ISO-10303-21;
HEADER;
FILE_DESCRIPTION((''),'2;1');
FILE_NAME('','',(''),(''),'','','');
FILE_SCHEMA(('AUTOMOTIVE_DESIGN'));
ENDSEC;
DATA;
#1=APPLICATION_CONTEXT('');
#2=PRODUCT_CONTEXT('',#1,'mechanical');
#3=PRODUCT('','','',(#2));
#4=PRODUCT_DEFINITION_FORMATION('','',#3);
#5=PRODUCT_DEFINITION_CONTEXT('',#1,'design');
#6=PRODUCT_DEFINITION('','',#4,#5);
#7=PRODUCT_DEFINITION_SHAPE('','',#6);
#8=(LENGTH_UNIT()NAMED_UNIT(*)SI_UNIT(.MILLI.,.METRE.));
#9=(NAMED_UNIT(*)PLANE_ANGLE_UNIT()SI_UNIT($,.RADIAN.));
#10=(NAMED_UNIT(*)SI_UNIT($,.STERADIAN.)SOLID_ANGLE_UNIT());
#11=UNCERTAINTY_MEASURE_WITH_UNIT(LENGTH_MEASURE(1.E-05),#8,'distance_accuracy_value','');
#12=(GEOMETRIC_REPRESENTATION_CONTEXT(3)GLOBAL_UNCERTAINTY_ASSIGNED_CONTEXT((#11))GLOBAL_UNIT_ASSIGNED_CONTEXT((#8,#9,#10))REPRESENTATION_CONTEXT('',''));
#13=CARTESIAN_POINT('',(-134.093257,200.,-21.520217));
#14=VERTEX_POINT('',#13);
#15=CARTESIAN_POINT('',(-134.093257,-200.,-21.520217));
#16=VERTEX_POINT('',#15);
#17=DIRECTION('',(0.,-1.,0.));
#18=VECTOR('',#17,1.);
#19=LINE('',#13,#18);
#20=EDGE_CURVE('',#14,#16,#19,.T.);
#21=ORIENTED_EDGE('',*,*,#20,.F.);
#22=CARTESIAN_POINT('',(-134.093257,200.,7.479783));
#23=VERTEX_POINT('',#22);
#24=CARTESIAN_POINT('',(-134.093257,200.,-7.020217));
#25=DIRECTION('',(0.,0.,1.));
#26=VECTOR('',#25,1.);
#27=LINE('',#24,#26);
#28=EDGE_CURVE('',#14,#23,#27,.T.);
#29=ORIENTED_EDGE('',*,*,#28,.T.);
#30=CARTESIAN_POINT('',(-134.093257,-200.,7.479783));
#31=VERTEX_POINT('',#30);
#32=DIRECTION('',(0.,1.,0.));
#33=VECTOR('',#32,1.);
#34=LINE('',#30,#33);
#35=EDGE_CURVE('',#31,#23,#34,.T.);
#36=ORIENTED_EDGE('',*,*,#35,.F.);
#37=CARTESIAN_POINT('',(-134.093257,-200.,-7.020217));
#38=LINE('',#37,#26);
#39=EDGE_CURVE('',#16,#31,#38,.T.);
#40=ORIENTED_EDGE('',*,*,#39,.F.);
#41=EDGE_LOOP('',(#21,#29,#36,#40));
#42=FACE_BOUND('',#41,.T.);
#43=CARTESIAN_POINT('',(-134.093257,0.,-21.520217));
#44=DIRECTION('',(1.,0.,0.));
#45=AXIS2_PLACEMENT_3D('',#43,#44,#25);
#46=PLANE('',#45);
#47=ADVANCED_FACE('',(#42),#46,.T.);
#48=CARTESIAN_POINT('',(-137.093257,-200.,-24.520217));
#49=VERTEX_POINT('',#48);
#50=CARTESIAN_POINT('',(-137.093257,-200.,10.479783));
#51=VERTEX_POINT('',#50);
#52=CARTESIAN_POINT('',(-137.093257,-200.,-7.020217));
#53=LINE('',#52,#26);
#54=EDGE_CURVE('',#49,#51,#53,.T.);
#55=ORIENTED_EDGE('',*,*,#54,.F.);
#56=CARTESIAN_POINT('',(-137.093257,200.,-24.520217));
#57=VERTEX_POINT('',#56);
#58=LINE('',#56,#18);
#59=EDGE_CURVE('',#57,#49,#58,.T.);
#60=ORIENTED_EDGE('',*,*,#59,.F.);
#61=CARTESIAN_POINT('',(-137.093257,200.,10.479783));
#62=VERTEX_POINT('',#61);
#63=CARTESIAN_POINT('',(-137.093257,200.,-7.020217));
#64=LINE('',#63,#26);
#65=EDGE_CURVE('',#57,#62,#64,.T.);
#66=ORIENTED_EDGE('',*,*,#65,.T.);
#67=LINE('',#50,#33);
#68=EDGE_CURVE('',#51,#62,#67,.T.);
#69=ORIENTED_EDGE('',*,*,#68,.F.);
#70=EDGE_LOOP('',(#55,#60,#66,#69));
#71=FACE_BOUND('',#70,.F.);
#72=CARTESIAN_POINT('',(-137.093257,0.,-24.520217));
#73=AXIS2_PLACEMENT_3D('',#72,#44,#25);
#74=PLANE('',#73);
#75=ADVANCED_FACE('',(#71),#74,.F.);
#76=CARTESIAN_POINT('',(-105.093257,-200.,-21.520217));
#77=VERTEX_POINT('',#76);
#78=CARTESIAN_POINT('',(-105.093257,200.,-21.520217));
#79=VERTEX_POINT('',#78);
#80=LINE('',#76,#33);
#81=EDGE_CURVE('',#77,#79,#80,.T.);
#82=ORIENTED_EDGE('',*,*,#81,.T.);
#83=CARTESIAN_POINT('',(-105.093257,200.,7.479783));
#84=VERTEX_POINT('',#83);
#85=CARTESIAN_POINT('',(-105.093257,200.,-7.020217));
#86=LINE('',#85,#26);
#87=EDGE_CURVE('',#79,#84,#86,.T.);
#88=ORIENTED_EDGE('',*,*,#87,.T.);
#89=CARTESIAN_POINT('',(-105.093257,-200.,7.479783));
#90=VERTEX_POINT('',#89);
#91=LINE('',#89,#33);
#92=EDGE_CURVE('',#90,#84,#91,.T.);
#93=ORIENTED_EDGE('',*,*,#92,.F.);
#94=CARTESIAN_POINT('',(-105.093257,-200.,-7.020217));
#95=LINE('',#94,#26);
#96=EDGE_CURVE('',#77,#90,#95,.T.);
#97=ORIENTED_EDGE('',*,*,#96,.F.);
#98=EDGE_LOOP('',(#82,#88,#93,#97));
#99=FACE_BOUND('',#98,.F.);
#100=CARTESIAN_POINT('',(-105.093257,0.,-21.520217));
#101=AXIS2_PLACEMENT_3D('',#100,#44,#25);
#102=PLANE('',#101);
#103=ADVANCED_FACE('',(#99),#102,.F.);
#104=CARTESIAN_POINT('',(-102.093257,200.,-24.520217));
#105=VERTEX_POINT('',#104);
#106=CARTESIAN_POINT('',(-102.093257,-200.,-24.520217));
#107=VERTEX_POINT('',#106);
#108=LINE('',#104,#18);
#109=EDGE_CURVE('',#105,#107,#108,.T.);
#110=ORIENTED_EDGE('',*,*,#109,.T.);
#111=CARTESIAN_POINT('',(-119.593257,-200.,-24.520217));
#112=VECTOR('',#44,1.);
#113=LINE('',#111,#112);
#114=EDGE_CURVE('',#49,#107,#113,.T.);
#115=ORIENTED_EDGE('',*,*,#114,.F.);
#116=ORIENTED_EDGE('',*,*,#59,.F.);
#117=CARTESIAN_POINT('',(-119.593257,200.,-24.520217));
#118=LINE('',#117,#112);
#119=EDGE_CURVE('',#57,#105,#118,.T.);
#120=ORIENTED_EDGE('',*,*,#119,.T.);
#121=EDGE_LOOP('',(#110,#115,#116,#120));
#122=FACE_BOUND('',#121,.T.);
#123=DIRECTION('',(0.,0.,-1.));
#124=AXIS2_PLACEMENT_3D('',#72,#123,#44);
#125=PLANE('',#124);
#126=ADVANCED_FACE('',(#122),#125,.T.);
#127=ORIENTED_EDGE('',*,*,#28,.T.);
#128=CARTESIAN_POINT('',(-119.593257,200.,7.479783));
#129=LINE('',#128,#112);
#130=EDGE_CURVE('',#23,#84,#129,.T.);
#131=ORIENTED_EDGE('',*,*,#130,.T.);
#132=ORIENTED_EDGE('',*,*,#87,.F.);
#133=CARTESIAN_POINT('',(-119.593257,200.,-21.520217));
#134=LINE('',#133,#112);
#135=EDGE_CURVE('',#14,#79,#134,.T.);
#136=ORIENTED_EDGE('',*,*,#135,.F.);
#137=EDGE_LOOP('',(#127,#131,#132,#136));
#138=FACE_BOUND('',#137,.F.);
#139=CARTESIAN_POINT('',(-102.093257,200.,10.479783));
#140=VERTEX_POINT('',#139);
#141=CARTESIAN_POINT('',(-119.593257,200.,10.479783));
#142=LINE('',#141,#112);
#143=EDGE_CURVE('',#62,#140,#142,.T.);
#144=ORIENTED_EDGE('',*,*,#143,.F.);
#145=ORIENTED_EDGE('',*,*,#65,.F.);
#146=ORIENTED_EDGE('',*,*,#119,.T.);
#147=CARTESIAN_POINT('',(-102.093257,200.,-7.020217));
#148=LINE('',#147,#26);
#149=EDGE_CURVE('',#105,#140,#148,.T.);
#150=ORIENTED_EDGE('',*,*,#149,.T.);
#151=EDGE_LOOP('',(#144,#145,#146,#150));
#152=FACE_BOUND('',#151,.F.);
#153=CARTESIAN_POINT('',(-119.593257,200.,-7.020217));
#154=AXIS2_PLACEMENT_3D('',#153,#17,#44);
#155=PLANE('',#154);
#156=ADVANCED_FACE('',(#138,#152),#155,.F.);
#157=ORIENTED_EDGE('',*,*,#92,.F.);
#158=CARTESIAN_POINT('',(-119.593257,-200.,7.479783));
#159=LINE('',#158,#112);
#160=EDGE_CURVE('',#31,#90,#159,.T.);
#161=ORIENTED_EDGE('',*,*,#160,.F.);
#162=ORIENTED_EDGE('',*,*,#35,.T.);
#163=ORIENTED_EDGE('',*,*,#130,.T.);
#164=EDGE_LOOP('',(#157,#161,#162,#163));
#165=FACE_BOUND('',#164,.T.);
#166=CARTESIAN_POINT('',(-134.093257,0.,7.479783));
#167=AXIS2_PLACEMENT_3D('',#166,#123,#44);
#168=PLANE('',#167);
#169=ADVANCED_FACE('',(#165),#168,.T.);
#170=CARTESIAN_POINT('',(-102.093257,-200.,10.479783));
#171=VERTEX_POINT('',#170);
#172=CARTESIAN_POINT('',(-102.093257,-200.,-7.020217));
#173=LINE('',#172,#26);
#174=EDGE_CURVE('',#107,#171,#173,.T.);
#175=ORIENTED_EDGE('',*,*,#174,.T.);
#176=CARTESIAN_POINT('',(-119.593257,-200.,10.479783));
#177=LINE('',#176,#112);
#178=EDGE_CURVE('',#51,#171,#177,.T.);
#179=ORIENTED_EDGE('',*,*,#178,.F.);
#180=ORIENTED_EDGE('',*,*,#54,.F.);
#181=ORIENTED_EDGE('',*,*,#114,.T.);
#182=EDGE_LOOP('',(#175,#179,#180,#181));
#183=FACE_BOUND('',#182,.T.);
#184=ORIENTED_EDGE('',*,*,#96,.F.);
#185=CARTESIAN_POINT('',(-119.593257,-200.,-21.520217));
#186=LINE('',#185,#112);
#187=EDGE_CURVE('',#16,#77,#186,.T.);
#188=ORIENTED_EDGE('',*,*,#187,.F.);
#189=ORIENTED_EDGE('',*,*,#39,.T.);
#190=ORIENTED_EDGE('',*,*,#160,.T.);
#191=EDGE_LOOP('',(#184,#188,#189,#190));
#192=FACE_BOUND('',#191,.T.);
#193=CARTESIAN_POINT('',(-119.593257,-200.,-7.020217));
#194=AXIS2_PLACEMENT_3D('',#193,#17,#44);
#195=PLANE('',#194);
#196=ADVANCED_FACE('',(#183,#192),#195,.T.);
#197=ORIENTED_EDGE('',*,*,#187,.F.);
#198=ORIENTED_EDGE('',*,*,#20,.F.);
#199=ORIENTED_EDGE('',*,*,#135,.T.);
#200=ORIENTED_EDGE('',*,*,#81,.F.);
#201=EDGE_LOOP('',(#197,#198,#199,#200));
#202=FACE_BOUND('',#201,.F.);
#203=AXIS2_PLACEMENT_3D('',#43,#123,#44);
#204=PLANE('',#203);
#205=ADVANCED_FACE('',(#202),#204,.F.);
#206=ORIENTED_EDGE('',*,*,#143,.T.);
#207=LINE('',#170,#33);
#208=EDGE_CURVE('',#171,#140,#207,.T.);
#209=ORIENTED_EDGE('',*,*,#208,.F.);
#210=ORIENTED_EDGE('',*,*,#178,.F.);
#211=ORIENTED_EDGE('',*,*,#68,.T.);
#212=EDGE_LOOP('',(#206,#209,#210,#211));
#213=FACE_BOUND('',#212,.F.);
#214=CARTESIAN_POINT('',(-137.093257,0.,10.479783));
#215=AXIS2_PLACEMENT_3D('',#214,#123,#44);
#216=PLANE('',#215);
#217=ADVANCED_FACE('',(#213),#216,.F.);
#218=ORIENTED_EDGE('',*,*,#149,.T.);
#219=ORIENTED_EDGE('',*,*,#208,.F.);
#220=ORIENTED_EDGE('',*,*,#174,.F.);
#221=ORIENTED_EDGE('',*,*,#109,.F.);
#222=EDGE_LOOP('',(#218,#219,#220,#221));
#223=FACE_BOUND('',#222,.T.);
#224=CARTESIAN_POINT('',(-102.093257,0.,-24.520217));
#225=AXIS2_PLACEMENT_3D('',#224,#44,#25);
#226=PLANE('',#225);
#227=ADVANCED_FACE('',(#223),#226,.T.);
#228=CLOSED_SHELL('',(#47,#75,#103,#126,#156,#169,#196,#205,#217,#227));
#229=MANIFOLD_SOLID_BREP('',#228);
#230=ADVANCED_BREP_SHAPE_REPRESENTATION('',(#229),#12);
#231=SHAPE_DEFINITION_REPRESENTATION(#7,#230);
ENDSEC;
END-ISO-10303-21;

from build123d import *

# Parameters (mm, degrees)
F0_W     = 35
F0_H     = 35
F0_W_2   = 29
F0_H_2   = 29
F1_DEPTH = 200


with BuildPart() as f1:
    # F0 (on Front) → F1 (new body, symmetric)
    with BuildSketch(Plane.XZ):
        with Locations((-119.59325701, -7.0202165097)):
            Rectangle(F0_W, F0_H)
        with Locations((-119.59325701, -7.0202165097)):
            Rectangle(F0_W_2, F0_H_2, mode=Mode.SUBTRACT)
    extrude(amount=F1_DEPTH, both=True)


solid = f1.part
